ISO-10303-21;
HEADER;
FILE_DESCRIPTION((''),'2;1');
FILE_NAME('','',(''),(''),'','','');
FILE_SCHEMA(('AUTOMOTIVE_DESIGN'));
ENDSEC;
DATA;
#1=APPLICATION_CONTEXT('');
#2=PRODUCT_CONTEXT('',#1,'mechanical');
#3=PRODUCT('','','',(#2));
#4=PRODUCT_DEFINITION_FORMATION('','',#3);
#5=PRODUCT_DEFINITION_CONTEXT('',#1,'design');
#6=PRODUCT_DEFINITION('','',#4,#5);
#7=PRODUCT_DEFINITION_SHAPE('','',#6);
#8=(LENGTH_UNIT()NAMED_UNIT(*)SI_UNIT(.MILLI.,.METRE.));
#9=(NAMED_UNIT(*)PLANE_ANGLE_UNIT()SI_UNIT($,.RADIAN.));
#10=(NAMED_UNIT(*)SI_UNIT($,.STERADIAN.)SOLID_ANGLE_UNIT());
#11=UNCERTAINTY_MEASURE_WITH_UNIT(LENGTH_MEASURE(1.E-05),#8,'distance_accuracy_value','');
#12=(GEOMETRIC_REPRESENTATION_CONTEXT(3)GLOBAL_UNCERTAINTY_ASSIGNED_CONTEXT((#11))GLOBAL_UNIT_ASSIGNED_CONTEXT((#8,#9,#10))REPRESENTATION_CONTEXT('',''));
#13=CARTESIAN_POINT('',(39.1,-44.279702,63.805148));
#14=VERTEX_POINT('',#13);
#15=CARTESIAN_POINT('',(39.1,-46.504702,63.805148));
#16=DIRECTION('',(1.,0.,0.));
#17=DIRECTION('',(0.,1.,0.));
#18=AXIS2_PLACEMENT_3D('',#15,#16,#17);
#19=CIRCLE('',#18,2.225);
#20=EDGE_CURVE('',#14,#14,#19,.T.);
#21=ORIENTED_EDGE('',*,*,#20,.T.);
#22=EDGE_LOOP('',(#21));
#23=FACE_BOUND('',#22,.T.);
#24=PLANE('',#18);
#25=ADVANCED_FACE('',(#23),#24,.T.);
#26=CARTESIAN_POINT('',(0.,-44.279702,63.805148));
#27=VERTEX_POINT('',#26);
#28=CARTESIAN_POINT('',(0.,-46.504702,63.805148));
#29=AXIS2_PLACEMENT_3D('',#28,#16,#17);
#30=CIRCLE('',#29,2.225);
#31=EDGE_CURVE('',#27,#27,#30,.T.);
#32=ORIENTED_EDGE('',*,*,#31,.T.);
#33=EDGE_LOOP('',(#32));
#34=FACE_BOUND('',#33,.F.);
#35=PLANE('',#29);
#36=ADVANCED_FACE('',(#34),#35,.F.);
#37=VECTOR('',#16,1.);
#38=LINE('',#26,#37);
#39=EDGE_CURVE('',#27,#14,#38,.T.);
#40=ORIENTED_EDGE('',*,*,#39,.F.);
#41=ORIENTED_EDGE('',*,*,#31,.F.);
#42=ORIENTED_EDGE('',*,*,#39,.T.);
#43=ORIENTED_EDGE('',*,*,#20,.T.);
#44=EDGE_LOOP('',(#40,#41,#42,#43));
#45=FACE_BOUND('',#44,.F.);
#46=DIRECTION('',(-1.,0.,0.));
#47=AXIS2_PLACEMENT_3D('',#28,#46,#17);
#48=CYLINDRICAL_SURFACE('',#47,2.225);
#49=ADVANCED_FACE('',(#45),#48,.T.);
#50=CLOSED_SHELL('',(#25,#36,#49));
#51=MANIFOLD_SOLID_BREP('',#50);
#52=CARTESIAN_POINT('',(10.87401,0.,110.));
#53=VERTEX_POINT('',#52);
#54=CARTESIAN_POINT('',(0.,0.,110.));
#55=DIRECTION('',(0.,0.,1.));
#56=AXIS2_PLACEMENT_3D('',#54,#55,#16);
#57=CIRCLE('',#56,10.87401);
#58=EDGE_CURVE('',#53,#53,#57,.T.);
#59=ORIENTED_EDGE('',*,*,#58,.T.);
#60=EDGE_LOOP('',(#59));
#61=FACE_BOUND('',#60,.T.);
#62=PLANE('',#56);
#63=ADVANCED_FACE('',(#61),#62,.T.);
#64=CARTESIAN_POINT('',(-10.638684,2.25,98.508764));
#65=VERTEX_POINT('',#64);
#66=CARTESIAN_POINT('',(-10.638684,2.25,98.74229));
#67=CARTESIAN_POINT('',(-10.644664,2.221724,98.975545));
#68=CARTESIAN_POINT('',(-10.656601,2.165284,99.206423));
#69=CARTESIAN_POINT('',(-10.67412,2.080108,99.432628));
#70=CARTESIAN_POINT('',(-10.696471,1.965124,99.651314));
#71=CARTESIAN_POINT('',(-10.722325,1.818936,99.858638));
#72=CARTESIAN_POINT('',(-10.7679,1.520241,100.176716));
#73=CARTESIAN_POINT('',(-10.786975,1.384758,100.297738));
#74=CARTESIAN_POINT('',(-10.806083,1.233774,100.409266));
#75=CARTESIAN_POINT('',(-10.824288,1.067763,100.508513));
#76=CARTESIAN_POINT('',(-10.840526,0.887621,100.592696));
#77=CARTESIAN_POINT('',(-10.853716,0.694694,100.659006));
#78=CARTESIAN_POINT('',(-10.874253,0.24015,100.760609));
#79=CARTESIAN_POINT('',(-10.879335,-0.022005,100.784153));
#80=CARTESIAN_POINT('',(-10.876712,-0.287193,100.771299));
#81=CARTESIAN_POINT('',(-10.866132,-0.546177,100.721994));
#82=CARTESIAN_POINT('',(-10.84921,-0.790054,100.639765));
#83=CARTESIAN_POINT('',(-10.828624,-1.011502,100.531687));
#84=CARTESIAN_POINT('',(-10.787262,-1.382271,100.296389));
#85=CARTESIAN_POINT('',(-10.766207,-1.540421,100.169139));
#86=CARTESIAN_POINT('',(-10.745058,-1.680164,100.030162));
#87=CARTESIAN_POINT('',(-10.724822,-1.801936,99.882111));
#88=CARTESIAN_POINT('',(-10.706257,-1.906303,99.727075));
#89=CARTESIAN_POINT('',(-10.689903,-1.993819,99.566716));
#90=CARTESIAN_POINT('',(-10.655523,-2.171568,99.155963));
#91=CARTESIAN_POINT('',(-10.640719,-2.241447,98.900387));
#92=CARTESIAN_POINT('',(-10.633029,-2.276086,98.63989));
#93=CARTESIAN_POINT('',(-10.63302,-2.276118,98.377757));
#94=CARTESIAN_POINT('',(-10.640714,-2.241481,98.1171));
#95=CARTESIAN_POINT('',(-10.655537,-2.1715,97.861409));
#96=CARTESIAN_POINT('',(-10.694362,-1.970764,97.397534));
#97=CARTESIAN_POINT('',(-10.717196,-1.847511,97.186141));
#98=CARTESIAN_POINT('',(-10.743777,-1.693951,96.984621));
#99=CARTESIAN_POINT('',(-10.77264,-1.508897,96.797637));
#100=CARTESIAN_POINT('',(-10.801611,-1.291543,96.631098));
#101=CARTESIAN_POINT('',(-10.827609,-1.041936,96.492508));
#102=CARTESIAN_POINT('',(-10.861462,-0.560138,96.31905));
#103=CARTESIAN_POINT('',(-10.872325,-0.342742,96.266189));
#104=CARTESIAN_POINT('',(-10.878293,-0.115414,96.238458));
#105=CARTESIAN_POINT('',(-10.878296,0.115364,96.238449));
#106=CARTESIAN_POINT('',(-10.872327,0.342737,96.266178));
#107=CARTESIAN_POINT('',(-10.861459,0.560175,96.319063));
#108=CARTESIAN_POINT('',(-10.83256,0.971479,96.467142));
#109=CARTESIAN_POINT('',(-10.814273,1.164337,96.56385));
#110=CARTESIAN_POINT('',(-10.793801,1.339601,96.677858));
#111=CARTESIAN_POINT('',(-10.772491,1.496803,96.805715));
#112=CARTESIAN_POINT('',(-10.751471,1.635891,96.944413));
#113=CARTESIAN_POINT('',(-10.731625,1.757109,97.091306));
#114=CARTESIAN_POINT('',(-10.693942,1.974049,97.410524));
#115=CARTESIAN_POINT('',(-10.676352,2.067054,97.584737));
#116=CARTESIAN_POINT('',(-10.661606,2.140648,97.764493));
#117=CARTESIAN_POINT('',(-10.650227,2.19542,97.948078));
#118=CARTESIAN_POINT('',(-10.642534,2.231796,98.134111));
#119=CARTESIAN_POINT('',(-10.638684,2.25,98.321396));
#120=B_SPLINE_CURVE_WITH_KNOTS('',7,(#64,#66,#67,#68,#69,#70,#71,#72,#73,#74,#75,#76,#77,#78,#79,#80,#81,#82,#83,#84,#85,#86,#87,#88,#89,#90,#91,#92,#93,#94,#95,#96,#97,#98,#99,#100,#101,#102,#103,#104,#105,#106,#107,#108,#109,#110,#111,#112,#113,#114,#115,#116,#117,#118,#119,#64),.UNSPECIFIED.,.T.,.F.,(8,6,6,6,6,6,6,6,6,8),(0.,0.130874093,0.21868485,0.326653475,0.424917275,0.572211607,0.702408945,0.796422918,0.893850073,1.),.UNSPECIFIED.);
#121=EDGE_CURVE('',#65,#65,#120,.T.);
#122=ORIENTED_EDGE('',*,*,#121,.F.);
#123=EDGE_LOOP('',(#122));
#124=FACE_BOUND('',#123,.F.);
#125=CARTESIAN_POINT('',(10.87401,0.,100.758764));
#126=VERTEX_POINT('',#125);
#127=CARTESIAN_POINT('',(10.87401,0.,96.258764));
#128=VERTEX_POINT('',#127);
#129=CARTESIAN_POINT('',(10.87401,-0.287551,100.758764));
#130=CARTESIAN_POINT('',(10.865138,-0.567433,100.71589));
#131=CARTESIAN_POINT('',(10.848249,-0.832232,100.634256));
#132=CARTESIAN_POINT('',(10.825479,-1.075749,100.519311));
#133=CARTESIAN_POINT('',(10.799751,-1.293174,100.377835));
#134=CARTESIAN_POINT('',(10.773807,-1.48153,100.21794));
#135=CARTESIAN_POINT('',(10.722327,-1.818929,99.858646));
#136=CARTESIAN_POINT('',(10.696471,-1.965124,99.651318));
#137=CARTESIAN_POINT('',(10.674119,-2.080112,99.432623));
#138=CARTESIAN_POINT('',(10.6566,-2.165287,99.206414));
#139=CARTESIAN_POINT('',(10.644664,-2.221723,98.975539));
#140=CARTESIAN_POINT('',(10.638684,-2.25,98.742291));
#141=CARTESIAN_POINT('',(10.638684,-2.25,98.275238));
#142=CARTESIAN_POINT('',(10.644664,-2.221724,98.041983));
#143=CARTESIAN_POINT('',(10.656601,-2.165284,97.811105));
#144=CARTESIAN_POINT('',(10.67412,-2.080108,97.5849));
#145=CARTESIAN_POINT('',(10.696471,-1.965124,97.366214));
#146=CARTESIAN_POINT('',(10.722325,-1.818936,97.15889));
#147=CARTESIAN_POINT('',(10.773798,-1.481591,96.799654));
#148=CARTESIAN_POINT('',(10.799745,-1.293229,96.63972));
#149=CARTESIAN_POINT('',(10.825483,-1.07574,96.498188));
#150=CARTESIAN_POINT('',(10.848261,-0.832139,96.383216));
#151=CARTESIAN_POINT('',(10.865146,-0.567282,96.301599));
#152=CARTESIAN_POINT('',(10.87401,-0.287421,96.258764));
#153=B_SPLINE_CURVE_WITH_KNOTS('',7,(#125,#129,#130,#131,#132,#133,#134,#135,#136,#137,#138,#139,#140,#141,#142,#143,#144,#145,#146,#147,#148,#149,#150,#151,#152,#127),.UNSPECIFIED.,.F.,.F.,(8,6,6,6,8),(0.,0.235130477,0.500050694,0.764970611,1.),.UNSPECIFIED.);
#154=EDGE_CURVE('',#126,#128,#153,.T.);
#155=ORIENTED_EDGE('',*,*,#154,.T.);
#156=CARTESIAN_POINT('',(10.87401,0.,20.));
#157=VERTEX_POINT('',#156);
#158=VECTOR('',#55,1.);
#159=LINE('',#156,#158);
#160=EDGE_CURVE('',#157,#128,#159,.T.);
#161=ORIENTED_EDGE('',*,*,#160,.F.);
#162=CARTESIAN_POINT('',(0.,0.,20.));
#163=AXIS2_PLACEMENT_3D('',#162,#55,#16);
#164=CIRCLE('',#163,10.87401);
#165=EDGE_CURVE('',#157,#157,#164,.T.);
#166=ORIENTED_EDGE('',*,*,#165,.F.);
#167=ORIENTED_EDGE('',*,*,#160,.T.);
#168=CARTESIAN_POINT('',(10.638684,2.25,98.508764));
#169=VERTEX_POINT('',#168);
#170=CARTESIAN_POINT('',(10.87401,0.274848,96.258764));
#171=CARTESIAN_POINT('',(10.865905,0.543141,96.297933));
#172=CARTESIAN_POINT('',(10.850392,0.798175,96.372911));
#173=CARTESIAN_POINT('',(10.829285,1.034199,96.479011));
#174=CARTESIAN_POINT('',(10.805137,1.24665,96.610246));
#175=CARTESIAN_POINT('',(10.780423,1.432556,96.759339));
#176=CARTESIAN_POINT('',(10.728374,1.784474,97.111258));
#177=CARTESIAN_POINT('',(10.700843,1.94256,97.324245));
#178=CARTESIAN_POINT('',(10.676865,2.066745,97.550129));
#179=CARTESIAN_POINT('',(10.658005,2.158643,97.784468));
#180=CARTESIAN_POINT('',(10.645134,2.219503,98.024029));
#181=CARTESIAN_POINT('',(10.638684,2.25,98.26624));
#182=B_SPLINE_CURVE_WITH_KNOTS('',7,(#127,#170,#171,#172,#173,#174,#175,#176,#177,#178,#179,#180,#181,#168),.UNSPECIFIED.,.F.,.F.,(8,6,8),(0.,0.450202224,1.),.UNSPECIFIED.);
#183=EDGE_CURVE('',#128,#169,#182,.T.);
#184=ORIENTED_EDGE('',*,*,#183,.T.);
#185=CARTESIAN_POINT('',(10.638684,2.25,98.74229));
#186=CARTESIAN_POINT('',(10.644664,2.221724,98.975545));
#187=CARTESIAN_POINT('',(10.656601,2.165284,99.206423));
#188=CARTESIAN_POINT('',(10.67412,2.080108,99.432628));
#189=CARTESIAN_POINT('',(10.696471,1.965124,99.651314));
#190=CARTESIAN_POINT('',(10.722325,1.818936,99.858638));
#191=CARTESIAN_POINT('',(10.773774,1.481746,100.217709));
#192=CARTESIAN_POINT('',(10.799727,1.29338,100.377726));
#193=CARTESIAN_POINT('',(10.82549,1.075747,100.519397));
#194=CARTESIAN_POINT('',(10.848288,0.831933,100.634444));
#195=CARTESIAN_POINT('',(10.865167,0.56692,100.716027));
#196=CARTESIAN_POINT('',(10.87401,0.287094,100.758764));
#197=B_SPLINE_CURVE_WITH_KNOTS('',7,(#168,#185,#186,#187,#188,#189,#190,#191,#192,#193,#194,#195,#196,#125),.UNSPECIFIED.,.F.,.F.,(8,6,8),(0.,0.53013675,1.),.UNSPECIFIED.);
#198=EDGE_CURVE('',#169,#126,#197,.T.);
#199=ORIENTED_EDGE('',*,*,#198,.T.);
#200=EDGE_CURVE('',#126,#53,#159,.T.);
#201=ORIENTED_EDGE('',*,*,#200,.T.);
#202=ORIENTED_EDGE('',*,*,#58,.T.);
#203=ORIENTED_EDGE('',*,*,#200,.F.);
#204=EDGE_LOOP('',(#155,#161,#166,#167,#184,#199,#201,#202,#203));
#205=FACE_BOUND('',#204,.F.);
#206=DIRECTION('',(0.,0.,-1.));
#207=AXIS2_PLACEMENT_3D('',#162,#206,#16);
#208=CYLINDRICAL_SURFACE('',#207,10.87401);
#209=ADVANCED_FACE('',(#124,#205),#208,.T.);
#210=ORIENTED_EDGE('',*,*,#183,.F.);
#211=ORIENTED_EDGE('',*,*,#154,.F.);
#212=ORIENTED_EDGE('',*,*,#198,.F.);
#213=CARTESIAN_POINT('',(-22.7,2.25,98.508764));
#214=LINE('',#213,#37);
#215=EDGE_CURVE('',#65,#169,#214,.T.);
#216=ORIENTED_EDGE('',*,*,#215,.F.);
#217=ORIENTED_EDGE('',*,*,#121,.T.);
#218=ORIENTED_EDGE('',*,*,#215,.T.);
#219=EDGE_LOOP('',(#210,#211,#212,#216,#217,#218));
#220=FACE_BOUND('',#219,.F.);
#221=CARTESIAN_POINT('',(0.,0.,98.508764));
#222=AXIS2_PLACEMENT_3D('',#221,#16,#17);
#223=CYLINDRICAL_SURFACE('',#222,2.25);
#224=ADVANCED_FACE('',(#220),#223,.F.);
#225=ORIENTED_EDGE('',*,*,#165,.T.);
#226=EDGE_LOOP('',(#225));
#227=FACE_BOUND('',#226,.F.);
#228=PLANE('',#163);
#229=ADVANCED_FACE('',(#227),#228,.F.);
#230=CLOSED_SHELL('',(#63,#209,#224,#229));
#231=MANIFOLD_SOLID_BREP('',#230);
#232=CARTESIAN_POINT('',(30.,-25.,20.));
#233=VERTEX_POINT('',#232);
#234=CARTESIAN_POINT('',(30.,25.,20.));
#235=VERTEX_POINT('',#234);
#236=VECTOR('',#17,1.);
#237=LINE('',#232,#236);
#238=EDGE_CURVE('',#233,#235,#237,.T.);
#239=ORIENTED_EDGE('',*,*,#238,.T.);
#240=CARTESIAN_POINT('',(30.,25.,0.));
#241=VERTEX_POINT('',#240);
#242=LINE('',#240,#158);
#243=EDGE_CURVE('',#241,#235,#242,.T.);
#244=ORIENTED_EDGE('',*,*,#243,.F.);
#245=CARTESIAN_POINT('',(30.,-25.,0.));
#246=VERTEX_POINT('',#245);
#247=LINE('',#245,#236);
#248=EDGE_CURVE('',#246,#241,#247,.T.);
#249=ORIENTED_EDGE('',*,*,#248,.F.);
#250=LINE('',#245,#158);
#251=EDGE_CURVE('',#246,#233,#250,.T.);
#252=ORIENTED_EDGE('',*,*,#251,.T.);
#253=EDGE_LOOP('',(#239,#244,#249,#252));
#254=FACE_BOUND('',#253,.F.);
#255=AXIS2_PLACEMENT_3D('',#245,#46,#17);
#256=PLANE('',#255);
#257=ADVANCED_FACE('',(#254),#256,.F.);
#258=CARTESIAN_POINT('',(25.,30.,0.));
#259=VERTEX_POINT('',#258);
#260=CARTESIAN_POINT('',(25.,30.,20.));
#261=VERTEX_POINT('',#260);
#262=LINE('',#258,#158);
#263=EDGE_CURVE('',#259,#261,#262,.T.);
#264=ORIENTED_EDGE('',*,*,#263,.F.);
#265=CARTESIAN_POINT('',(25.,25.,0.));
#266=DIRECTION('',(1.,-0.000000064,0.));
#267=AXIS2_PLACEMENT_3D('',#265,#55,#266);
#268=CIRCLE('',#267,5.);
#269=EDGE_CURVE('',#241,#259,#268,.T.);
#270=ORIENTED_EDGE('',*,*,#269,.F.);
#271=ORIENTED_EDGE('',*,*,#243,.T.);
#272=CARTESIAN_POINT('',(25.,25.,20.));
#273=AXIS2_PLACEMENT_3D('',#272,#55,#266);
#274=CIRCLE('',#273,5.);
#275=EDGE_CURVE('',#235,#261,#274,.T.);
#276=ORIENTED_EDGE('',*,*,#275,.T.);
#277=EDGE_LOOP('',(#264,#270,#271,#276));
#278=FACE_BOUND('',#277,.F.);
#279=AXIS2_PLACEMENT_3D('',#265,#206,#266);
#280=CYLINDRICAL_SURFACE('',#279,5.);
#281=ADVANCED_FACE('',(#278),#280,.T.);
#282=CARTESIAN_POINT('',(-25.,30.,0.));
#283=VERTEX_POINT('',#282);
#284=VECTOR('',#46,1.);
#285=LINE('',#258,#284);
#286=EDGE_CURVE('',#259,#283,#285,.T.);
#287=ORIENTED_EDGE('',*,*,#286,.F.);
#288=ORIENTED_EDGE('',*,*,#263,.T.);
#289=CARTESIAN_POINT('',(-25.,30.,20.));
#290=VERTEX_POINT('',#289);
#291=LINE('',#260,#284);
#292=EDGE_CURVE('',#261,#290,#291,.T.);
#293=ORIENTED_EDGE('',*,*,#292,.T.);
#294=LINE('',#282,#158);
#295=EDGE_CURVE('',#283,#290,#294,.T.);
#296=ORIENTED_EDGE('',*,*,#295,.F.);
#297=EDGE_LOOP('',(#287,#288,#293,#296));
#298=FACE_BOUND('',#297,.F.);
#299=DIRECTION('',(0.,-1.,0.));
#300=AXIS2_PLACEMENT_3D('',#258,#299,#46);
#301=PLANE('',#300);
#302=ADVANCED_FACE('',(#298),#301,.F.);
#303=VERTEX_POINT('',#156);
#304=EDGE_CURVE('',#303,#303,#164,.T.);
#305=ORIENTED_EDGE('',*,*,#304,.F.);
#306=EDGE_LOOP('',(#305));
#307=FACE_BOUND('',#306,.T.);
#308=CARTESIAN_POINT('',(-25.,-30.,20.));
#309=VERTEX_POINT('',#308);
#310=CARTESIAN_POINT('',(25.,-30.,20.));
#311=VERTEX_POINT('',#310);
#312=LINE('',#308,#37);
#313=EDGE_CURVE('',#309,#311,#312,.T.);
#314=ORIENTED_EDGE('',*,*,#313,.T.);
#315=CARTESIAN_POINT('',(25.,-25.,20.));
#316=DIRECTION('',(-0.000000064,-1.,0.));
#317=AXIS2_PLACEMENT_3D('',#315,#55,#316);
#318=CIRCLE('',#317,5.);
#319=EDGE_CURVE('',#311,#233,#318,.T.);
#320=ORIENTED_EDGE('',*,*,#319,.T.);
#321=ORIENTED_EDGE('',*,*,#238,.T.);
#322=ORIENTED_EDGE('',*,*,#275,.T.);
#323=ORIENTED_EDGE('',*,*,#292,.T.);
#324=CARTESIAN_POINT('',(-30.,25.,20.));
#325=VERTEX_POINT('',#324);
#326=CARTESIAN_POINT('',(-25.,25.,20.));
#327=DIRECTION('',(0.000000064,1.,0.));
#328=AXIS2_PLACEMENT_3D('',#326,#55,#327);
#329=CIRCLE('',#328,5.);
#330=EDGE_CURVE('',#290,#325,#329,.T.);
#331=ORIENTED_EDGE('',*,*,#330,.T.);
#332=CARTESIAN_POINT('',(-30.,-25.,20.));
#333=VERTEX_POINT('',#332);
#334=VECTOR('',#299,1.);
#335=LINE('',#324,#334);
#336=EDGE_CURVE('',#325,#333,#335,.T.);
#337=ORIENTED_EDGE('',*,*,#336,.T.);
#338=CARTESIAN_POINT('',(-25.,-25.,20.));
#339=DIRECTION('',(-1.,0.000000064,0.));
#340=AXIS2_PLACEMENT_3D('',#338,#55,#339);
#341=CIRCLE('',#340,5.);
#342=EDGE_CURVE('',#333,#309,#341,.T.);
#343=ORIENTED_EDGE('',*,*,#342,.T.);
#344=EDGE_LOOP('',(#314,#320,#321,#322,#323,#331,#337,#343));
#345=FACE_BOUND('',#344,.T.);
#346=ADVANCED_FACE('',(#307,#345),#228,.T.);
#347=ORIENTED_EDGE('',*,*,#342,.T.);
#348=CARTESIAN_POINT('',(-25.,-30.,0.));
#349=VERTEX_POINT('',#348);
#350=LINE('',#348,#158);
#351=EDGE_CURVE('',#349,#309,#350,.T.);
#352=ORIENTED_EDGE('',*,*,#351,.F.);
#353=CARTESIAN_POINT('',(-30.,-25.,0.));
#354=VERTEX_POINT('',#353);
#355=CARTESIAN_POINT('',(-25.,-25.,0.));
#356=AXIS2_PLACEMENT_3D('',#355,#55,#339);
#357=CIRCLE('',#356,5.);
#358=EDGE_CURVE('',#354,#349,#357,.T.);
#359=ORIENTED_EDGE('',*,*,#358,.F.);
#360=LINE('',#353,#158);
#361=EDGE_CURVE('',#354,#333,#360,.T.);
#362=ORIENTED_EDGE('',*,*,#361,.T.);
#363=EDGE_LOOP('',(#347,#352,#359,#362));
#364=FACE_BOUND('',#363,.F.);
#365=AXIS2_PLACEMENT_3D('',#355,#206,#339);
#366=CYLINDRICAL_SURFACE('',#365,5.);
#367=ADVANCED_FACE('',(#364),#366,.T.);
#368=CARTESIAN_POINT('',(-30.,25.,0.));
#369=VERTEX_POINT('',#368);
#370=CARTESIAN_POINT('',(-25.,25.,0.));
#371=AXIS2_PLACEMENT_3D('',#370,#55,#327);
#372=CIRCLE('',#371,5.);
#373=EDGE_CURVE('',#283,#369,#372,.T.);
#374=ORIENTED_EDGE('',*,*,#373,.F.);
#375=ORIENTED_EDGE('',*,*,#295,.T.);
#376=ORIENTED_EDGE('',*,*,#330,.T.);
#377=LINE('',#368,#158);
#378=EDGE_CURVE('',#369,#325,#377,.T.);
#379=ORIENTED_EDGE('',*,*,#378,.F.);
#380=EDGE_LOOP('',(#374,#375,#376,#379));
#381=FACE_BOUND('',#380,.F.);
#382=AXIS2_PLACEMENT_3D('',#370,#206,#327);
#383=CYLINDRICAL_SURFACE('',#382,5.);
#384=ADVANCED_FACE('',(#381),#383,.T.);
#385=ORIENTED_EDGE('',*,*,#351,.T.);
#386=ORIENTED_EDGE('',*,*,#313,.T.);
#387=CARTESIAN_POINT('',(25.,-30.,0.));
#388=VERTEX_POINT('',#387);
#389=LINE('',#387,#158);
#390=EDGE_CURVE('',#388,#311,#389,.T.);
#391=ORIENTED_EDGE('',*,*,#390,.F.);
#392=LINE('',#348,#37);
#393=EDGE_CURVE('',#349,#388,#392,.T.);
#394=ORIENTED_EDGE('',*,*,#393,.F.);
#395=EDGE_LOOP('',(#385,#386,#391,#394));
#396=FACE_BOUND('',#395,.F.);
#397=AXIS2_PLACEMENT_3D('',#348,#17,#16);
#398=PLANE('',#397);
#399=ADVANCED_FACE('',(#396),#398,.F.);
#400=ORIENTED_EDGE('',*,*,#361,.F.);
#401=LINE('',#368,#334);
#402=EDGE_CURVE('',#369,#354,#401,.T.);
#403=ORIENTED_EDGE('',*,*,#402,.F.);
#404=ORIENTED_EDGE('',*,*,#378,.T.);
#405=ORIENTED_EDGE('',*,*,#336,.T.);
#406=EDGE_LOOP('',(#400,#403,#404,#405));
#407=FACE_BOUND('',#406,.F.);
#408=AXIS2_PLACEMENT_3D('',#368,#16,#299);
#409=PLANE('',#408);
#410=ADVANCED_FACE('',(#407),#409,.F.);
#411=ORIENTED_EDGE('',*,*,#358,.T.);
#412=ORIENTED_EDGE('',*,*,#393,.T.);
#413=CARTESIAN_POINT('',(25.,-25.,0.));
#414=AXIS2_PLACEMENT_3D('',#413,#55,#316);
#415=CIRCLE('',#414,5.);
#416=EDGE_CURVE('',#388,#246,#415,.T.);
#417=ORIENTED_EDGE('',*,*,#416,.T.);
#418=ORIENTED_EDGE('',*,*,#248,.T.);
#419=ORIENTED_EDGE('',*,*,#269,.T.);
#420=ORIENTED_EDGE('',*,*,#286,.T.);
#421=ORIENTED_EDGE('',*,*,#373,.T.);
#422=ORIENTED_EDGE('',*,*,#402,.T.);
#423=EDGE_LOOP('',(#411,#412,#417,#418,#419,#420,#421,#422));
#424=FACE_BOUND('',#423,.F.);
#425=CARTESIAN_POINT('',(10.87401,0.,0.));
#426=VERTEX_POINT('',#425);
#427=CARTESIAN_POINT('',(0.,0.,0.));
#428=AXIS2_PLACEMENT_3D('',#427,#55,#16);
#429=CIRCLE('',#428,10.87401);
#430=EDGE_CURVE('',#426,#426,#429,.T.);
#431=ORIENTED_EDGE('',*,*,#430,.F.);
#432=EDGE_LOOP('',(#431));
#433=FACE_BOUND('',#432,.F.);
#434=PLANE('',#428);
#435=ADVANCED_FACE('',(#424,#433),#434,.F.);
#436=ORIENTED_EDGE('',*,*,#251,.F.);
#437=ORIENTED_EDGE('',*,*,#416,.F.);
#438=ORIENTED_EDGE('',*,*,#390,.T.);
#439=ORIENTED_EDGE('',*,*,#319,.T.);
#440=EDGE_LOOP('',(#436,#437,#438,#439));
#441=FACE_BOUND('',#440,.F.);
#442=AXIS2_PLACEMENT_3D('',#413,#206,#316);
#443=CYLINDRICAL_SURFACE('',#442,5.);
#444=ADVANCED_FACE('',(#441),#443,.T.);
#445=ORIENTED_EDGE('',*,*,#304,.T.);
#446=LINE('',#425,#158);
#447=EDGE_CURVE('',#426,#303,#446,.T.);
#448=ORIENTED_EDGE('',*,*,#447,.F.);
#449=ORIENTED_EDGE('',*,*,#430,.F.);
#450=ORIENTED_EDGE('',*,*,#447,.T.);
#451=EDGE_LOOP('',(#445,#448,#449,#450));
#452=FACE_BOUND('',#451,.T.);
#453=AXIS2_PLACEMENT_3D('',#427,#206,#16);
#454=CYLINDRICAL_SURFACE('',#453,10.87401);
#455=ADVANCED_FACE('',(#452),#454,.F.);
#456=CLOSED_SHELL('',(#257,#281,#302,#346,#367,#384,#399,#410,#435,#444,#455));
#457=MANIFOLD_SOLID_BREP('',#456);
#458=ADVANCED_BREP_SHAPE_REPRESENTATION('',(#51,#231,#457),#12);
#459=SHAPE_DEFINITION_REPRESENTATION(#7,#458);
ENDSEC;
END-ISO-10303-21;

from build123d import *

# Parameters (mm, degrees)
F0_R     = 10.87401
F1_DEPTH = 20
F2_R     = 10.87401
F3_DEPTH = 90
F4_R     = 2.25
F5_DEPTH = 22.7
F6_R     = 2.225
F7_DEPTH = 39.1


with BuildPart() as f1:
    # F0 (on Top) → F1 (new body)
    with BuildSketch(Plane.XY):
        with BuildLine():
            Line((25, 30), (-25, 30))
            ThreePointArc((-25, 30), (-28.535534, 28.535534), (-30, 25))
            Line((-30, 25), (-30, -25))
            ThreePointArc((-30, -25), (-28.535534, -28.535534), (-25, -30))
            Line((-25, -30), (25, -30))
            ThreePointArc((25, -30), (28.535534, -28.535534), (30, -25))
            Line((30, -25), (30, 25))
            ThreePointArc((30, 25), (28.535534, 28.535534), (25, 30))
        make_face()
        Circle(F0_R, mode=Mode.SUBTRACT)
    extrude(amount=F1_DEPTH)


with BuildPart() as f3:
    # F2 (on face) → F3 (new body)
    with BuildSketch(Plane.XY.offset(20)):
        Circle(F2_R)
    extrude(amount=F3_DEPTH)

    # F4 (on Right) → F5 (cut, symmetric)
    with BuildSketch(Plane.YZ):
        with Locations((0, 98.508764)):
            Circle(F4_R)
    extrude(amount=F5_DEPTH, both=True, mode=Mode.SUBTRACT)


with BuildPart() as f7:
    # F6 (on Right) → F7 (new body)
    with BuildSketch(Plane.YZ):
        with Locations((-46.504702, 63.805148)):
            Circle(F6_R)
    extrude(amount=F7_DEPTH)


solid = Compound([f1.part, f3.part, f7.part])
